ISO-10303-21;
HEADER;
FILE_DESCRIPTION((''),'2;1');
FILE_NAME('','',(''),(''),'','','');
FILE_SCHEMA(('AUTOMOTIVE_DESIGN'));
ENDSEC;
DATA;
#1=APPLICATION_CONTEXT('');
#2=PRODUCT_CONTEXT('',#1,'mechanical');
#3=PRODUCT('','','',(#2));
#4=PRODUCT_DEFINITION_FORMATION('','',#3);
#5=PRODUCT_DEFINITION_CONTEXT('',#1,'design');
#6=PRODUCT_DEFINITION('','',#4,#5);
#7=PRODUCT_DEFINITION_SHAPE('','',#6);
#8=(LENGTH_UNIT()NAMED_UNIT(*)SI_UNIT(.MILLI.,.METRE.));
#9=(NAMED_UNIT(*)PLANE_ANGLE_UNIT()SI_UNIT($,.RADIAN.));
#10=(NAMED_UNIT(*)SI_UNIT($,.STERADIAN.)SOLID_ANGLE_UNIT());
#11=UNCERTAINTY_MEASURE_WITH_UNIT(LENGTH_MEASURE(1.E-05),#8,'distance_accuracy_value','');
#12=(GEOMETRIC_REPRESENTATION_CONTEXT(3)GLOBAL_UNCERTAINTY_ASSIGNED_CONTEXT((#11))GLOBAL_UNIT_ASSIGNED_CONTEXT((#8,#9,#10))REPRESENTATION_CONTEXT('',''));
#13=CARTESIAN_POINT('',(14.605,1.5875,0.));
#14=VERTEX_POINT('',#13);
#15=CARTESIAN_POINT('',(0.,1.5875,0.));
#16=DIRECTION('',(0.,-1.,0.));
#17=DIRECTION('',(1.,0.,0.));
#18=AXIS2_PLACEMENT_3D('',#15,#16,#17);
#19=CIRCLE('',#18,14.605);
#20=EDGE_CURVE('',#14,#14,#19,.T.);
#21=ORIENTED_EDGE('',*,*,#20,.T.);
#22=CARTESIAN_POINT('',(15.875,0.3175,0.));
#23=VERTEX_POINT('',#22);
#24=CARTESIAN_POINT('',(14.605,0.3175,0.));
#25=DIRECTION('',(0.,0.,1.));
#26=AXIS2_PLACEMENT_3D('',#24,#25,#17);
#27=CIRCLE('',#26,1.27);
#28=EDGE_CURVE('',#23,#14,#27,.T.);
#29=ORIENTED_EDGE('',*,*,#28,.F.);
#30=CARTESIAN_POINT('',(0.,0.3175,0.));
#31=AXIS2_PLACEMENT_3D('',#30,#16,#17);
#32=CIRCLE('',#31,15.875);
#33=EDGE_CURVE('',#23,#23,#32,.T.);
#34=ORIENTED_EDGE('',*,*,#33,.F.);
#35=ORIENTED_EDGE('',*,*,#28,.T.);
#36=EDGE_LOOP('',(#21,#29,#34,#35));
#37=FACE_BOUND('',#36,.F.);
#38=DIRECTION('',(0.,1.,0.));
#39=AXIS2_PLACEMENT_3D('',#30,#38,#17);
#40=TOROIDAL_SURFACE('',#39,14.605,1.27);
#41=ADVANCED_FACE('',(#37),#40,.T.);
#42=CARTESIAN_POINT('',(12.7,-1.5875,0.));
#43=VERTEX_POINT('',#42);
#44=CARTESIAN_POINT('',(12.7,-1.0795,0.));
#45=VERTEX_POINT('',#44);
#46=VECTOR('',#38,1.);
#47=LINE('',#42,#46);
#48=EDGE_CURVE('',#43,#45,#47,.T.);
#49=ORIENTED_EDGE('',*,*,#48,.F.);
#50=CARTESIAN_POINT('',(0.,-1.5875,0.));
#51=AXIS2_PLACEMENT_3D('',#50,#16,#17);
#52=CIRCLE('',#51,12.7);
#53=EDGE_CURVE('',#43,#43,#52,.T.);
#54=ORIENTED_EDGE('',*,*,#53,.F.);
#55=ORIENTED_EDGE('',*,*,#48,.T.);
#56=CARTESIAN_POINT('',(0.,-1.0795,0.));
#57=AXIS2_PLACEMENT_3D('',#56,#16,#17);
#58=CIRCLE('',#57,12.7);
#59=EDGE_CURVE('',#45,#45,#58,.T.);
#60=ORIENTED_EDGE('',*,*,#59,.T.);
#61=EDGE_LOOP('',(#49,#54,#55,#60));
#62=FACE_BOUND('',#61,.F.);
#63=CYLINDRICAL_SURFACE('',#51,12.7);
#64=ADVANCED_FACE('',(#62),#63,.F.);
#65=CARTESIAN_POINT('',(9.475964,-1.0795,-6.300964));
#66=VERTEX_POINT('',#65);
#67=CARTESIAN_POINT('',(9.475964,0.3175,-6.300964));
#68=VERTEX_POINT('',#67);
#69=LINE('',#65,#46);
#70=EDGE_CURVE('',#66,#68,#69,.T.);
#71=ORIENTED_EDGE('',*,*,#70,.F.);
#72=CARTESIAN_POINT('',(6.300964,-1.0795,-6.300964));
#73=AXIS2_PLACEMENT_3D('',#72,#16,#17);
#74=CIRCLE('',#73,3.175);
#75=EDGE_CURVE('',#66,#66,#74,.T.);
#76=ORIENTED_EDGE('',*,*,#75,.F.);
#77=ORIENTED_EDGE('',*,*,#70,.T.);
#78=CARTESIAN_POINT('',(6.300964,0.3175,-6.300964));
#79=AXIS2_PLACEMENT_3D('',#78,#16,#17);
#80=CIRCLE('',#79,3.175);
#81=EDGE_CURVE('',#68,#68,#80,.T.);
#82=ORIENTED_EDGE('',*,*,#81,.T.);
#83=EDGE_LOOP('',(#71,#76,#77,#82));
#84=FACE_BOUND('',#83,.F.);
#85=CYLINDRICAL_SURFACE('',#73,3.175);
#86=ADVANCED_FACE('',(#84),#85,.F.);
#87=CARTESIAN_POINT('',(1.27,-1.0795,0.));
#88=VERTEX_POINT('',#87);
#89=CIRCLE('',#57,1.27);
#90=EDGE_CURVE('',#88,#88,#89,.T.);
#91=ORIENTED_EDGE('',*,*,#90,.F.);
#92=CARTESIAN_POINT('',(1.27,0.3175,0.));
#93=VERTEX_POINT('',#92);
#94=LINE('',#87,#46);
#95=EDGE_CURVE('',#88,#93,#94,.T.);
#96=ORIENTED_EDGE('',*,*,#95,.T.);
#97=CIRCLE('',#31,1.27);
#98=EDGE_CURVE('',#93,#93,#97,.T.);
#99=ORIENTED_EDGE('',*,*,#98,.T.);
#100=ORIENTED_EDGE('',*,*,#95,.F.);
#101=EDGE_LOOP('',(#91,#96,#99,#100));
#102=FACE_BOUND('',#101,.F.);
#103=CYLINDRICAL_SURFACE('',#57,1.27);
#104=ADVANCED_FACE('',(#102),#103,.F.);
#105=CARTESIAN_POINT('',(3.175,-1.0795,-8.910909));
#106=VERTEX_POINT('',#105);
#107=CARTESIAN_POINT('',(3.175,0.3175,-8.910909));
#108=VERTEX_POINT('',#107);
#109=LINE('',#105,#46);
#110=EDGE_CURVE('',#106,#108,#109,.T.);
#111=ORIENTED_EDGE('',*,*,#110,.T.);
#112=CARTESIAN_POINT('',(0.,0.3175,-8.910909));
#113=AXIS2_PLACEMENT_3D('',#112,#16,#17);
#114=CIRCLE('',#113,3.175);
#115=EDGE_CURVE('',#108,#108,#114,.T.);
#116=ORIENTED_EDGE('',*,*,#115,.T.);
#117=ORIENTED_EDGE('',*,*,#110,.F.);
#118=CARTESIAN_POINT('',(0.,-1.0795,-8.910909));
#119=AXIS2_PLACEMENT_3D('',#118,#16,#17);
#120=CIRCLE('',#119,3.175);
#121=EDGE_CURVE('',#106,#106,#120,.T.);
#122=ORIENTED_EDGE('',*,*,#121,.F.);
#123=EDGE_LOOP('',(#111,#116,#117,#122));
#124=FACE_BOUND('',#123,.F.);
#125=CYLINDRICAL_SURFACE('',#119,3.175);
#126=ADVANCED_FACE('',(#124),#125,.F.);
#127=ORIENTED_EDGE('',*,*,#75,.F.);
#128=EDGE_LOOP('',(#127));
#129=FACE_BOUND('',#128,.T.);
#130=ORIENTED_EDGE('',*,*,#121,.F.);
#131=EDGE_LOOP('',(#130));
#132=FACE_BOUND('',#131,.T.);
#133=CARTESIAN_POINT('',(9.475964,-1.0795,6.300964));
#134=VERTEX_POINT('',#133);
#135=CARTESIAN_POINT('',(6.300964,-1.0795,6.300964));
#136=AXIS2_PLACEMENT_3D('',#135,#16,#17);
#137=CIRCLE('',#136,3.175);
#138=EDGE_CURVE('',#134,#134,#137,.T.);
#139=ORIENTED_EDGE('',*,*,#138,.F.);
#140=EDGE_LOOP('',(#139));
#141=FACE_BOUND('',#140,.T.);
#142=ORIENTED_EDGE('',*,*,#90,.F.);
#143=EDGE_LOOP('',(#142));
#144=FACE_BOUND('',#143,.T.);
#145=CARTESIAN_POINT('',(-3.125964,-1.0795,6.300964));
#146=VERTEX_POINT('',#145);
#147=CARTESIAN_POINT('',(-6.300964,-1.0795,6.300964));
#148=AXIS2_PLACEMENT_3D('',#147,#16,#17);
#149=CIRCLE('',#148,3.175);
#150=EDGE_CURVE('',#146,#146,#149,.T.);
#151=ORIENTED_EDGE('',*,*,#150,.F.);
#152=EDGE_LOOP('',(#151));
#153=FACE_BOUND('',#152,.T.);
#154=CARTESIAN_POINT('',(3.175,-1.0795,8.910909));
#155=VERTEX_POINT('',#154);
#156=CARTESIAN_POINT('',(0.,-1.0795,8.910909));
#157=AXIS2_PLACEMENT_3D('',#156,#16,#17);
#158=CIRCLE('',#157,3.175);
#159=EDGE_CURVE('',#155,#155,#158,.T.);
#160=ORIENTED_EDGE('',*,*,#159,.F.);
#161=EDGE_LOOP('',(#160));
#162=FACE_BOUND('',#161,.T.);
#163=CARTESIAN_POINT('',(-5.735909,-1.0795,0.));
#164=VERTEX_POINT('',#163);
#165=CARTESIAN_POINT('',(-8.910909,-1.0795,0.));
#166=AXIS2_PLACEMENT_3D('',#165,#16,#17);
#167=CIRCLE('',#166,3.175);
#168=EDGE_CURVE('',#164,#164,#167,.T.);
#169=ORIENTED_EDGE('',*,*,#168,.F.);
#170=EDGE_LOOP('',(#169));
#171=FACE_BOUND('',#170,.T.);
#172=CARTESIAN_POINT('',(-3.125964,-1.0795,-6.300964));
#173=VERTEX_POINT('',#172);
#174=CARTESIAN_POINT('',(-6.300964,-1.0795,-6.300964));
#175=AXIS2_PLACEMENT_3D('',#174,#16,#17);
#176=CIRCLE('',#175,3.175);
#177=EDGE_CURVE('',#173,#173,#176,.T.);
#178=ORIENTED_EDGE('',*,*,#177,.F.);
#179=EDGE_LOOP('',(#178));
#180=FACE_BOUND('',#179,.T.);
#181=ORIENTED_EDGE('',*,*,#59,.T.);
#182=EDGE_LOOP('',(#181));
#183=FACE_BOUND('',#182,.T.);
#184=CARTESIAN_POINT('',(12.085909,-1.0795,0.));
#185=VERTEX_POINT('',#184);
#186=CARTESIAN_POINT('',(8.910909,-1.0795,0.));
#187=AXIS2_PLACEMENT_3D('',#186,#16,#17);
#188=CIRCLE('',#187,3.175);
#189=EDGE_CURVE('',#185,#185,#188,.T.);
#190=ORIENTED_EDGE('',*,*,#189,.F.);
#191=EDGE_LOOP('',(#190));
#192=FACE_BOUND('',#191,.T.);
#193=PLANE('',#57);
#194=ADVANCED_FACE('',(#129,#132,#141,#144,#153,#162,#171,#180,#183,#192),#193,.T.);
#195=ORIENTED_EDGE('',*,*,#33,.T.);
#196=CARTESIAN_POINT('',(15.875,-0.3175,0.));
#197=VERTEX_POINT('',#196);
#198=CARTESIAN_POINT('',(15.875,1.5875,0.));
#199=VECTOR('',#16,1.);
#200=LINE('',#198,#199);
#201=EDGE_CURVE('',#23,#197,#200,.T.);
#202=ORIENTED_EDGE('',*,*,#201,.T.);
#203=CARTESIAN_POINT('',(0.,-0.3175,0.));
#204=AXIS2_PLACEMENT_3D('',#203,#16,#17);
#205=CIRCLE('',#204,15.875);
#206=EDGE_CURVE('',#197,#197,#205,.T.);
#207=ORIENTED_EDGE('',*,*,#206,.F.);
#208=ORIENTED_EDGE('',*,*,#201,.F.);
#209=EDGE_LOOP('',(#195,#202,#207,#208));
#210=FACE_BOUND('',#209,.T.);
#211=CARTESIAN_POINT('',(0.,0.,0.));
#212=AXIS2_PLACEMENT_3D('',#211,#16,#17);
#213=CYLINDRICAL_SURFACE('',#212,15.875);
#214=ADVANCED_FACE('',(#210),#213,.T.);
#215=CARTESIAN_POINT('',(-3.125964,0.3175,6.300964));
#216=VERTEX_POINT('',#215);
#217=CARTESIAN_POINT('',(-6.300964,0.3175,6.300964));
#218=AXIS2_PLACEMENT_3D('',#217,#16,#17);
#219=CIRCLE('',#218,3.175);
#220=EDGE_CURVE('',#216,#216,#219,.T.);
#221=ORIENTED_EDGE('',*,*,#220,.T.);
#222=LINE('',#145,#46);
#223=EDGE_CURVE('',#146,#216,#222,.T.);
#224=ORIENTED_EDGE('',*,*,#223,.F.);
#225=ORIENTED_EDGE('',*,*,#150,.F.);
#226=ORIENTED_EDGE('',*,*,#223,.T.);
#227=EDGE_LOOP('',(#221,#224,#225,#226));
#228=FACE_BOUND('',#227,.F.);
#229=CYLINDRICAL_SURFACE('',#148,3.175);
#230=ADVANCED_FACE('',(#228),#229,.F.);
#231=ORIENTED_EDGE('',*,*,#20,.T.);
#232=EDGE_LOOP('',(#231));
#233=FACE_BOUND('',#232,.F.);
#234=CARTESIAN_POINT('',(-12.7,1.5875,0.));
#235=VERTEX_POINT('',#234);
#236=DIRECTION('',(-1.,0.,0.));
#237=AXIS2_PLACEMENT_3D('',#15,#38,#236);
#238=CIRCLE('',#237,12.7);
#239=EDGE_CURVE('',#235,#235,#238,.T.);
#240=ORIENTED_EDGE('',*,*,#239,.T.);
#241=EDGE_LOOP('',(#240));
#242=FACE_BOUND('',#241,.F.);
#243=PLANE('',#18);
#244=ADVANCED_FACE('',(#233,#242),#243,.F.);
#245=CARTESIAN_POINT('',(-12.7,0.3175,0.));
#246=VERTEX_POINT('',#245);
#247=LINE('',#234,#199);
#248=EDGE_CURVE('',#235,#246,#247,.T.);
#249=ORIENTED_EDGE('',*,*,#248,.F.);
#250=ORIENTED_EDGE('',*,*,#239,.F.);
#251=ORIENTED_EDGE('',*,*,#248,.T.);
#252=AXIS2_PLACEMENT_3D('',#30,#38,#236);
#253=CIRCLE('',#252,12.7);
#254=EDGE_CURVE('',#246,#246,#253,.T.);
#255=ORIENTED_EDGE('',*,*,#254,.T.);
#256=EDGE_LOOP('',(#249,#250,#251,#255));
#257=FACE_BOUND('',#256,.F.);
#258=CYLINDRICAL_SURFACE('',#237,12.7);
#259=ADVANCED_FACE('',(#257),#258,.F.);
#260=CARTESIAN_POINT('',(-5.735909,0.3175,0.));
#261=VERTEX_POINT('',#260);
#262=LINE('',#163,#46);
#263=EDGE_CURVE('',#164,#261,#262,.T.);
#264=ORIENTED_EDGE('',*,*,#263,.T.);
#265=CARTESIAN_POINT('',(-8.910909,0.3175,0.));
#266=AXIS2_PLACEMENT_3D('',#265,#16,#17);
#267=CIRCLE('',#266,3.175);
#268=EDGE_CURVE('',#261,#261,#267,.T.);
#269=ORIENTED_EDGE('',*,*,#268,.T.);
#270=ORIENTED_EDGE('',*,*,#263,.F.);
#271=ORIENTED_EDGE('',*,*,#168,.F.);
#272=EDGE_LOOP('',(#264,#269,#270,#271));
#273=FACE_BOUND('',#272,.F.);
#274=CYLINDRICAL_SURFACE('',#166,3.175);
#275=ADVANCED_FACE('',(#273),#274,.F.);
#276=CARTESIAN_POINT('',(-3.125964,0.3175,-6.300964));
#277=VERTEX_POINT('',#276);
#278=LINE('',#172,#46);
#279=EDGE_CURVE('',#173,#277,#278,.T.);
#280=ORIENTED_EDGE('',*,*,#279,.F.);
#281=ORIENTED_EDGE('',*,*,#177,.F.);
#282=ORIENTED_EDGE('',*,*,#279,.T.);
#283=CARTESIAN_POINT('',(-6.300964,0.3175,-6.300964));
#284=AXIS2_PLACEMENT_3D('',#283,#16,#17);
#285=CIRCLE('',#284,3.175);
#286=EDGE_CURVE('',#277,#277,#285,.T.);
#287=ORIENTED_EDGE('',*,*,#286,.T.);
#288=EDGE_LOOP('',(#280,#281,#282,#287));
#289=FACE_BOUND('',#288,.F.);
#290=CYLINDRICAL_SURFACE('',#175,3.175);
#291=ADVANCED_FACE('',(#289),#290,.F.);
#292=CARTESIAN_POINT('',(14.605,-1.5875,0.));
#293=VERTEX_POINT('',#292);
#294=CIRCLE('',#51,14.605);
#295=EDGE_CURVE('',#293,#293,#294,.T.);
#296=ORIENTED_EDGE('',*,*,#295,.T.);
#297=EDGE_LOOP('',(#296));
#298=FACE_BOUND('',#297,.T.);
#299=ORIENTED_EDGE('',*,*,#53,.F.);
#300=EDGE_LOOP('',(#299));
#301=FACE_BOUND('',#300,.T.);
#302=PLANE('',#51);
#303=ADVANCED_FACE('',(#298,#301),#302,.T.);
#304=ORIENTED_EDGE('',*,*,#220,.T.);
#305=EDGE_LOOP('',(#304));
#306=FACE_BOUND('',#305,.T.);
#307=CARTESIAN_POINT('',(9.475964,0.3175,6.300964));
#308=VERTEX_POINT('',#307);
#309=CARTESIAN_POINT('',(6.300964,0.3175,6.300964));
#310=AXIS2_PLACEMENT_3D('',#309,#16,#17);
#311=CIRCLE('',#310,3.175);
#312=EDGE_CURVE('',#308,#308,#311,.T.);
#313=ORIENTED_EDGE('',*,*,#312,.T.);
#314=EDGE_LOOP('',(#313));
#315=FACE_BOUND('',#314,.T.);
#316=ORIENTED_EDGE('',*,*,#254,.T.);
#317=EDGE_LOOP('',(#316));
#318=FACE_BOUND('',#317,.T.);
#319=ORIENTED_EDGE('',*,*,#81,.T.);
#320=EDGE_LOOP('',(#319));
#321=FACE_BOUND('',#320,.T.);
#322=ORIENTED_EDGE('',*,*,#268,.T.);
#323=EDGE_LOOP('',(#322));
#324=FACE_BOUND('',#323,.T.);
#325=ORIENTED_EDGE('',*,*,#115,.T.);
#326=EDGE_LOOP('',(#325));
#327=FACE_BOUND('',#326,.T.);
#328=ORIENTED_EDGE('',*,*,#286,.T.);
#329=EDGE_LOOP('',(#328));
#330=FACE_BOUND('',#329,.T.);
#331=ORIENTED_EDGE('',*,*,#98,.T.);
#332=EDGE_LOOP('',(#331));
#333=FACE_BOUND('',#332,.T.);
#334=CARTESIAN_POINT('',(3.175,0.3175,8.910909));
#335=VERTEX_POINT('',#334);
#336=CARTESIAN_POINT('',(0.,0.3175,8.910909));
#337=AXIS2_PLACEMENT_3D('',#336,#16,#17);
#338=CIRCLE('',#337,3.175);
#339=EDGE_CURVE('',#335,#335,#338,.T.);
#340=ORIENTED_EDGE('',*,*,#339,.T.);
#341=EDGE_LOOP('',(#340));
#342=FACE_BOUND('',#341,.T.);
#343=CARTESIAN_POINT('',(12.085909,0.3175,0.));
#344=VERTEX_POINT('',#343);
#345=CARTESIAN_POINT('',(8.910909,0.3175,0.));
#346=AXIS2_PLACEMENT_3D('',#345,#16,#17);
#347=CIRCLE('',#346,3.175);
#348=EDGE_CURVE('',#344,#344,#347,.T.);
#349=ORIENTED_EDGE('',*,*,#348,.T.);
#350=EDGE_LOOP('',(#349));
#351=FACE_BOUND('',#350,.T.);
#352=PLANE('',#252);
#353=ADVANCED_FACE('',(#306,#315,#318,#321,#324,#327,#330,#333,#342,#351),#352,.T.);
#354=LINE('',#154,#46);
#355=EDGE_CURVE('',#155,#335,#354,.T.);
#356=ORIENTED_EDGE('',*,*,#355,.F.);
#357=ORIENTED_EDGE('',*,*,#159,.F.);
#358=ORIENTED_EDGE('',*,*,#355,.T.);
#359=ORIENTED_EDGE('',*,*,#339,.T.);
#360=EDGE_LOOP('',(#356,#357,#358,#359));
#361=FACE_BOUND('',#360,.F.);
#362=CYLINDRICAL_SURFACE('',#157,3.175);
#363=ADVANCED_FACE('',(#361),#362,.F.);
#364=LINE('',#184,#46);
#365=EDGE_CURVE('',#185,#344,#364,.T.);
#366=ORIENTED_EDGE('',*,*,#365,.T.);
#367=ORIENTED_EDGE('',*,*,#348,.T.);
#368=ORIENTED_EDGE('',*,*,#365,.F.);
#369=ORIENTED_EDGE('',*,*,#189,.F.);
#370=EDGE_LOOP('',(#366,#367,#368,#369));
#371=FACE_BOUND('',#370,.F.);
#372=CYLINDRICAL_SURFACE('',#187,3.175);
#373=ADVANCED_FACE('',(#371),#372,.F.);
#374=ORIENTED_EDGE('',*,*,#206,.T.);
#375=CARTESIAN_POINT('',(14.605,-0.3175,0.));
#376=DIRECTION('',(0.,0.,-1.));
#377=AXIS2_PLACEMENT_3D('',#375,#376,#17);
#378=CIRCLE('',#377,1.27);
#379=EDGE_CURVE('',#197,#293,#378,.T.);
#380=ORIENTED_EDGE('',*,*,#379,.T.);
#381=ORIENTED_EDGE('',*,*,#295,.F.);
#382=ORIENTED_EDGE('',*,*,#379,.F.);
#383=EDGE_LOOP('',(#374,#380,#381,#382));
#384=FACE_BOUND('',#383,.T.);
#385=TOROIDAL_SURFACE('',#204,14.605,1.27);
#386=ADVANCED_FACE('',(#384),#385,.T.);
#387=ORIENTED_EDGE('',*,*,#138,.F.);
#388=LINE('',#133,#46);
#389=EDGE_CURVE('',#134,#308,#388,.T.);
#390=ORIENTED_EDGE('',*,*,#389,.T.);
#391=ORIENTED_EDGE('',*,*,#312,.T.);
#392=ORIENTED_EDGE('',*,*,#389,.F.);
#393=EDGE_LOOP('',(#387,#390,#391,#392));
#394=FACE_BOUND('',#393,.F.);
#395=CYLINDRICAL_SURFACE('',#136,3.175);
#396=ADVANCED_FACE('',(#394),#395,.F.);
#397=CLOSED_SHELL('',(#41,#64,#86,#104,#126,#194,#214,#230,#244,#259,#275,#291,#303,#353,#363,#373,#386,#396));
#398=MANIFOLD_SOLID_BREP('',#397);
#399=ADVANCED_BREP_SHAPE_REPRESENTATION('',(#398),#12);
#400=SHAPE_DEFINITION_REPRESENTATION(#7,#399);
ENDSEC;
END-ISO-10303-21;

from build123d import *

# Parameters (mm, degrees)
F0_R     = 15.875
F1_DEPTH = 1.5875
F2_R     = 12.7
F3_DEPTH = 0.508
F4_R     = 12.7
F5_DEPTH = 1.27
F6_R     = 1.27
F7_DEPTH = 2.668
F8_R     = 3.175
F9_DEPTH = 2.668
F10_R    = 1.27


with BuildPart() as f1:
    # F0 (on Front) → F1 (new body, symmetric)
    with BuildSketch(Plane.XZ):
        Circle(F0_R)
    extrude(amount=F1_DEPTH, both=True)

    # F2 (on face) → F3 (cut)
    with BuildSketch(Plane.XZ.offset(1.5875)):
        Circle(F2_R)
    extrude(amount=-F3_DEPTH, mode=Mode.SUBTRACT)

    # F4 (on face) → F5 (cut)
    with BuildSketch(Plane(origin=(0, 1.5875, 0), x_dir=(-1, 0, 0), z_dir=(0, 1, 0))):
        Circle(F4_R)
    extrude(amount=-F5_DEPTH, mode=Mode.SUBTRACT)

    # F6 (on face) → F7 (cut, through all)
    with BuildSketch(Plane.XZ.offset(1.0795)):
        Circle(F6_R)
    extrude(amount=-F7_DEPTH, mode=Mode.SUBTRACT)

    # F8 (on face) → F9 (cut, through all)
    with BuildSketch(Plane.XZ.offset(1.0795)):
        with Locations((0, 8.9109085647)):
            Circle(F8_R)
        with Locations((-6.3009638726, 6.3009638726)):
            Circle(F8_R)
        with Locations((-8.9109085647, 0)):
            Circle(F8_R)
        with Locations((-6.3009638726, -6.3009638726)):
            Circle(F8_R)
        with Locations((0, -8.9109085647)):
            Circle(F8_R)
        with Locations((6.3009638726, -6.3009638726)):
            Circle(F8_R)
        with Locations((8.9109085647, 0)):
            Circle(F8_R)
        with Locations((6.3009638726, 6.3009638726)):
            Circle(F8_R)
    extrude(amount=-F9_DEPTH, mode=Mode.SUBTRACT)

    # F10
    f10_edges = [f1.edges().sort_by_distance(p)[0] for p in [
        (-15.875, -1.5875, 0),
        (-15.875, 1.5875, 0),
        (15.875, 0, 0),
    ]]
    fillet(f10_edges, radius=F10_R)


solid = f1.part
